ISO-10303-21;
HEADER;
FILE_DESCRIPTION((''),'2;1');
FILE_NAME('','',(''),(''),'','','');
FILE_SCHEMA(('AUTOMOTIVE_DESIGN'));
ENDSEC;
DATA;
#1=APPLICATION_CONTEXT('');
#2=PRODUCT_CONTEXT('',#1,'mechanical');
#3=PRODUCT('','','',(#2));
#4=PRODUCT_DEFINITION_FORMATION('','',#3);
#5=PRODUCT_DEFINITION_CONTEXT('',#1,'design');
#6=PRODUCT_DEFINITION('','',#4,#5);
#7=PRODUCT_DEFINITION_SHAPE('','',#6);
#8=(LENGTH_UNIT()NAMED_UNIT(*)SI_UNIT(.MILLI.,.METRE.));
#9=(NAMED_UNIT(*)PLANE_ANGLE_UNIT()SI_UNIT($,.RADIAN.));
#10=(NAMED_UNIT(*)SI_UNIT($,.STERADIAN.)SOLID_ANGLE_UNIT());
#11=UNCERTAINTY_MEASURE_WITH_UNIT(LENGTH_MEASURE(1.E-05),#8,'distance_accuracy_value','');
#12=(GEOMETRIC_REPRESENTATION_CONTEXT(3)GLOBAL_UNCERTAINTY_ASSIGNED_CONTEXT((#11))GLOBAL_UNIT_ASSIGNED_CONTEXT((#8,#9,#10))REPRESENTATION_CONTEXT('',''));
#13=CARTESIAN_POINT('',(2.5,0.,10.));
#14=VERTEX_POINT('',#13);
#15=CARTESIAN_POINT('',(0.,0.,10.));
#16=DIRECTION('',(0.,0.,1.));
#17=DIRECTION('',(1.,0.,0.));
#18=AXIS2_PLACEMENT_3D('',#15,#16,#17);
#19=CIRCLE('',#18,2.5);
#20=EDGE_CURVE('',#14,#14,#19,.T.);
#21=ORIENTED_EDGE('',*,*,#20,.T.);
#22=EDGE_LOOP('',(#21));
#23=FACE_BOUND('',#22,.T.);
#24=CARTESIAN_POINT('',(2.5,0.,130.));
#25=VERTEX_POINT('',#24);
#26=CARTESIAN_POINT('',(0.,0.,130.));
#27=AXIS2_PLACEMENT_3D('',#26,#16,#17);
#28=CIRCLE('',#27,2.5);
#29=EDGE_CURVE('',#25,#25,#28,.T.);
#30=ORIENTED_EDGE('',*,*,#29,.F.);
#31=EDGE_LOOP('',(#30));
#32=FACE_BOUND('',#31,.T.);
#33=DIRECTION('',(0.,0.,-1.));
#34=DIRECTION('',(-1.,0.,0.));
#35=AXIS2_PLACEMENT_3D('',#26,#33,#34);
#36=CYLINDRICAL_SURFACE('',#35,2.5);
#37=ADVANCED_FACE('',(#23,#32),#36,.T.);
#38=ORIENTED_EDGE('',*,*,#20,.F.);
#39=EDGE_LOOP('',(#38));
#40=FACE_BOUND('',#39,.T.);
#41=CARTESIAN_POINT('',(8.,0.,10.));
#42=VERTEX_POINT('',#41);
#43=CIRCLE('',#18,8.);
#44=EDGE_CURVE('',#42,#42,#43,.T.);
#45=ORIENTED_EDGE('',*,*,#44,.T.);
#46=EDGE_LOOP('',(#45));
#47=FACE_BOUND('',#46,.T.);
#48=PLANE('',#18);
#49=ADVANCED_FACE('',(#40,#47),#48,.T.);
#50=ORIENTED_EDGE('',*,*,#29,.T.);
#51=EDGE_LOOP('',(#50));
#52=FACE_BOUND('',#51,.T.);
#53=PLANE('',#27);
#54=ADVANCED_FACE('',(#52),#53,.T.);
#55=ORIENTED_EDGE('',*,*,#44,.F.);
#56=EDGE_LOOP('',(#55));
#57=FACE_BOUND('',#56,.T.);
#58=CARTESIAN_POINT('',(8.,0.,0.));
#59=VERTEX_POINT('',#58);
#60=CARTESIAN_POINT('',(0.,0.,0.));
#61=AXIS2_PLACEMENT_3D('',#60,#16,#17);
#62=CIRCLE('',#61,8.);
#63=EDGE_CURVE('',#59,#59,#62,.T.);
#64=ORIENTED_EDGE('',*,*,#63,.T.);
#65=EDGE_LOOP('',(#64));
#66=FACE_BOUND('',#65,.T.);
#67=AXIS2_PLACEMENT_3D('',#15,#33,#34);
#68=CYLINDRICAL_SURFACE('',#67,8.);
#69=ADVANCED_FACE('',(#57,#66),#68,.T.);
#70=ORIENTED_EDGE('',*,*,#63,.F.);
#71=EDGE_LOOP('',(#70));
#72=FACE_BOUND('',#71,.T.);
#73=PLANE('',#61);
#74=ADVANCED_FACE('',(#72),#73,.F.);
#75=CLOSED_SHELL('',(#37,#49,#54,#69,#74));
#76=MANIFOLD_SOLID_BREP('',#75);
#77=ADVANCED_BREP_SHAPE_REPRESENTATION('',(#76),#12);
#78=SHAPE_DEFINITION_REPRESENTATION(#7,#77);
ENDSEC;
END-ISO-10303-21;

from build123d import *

# Parameters (mm, degrees)
SKETCH_1_R      = 8
EXTRUDE_1_DEPTH = 10
SKETCH_2_R      = 2.5
EXTRUDE_2_DEPTH = 120


with BuildPart() as part:
    # 草图1 → 凸台-拉伸1 (new body)
    with BuildSketch(Plane.XY):
        Circle(SKETCH_1_R)
    extrude(amount=EXTRUDE_1_DEPTH)

    # 草图2 → 凸台-拉伸2 (add)
    with BuildSketch(Plane.XY.offset(10)):
        Circle(SKETCH_2_R)
    extrude(amount=EXTRUDE_2_DEPTH)


solid = part.part
